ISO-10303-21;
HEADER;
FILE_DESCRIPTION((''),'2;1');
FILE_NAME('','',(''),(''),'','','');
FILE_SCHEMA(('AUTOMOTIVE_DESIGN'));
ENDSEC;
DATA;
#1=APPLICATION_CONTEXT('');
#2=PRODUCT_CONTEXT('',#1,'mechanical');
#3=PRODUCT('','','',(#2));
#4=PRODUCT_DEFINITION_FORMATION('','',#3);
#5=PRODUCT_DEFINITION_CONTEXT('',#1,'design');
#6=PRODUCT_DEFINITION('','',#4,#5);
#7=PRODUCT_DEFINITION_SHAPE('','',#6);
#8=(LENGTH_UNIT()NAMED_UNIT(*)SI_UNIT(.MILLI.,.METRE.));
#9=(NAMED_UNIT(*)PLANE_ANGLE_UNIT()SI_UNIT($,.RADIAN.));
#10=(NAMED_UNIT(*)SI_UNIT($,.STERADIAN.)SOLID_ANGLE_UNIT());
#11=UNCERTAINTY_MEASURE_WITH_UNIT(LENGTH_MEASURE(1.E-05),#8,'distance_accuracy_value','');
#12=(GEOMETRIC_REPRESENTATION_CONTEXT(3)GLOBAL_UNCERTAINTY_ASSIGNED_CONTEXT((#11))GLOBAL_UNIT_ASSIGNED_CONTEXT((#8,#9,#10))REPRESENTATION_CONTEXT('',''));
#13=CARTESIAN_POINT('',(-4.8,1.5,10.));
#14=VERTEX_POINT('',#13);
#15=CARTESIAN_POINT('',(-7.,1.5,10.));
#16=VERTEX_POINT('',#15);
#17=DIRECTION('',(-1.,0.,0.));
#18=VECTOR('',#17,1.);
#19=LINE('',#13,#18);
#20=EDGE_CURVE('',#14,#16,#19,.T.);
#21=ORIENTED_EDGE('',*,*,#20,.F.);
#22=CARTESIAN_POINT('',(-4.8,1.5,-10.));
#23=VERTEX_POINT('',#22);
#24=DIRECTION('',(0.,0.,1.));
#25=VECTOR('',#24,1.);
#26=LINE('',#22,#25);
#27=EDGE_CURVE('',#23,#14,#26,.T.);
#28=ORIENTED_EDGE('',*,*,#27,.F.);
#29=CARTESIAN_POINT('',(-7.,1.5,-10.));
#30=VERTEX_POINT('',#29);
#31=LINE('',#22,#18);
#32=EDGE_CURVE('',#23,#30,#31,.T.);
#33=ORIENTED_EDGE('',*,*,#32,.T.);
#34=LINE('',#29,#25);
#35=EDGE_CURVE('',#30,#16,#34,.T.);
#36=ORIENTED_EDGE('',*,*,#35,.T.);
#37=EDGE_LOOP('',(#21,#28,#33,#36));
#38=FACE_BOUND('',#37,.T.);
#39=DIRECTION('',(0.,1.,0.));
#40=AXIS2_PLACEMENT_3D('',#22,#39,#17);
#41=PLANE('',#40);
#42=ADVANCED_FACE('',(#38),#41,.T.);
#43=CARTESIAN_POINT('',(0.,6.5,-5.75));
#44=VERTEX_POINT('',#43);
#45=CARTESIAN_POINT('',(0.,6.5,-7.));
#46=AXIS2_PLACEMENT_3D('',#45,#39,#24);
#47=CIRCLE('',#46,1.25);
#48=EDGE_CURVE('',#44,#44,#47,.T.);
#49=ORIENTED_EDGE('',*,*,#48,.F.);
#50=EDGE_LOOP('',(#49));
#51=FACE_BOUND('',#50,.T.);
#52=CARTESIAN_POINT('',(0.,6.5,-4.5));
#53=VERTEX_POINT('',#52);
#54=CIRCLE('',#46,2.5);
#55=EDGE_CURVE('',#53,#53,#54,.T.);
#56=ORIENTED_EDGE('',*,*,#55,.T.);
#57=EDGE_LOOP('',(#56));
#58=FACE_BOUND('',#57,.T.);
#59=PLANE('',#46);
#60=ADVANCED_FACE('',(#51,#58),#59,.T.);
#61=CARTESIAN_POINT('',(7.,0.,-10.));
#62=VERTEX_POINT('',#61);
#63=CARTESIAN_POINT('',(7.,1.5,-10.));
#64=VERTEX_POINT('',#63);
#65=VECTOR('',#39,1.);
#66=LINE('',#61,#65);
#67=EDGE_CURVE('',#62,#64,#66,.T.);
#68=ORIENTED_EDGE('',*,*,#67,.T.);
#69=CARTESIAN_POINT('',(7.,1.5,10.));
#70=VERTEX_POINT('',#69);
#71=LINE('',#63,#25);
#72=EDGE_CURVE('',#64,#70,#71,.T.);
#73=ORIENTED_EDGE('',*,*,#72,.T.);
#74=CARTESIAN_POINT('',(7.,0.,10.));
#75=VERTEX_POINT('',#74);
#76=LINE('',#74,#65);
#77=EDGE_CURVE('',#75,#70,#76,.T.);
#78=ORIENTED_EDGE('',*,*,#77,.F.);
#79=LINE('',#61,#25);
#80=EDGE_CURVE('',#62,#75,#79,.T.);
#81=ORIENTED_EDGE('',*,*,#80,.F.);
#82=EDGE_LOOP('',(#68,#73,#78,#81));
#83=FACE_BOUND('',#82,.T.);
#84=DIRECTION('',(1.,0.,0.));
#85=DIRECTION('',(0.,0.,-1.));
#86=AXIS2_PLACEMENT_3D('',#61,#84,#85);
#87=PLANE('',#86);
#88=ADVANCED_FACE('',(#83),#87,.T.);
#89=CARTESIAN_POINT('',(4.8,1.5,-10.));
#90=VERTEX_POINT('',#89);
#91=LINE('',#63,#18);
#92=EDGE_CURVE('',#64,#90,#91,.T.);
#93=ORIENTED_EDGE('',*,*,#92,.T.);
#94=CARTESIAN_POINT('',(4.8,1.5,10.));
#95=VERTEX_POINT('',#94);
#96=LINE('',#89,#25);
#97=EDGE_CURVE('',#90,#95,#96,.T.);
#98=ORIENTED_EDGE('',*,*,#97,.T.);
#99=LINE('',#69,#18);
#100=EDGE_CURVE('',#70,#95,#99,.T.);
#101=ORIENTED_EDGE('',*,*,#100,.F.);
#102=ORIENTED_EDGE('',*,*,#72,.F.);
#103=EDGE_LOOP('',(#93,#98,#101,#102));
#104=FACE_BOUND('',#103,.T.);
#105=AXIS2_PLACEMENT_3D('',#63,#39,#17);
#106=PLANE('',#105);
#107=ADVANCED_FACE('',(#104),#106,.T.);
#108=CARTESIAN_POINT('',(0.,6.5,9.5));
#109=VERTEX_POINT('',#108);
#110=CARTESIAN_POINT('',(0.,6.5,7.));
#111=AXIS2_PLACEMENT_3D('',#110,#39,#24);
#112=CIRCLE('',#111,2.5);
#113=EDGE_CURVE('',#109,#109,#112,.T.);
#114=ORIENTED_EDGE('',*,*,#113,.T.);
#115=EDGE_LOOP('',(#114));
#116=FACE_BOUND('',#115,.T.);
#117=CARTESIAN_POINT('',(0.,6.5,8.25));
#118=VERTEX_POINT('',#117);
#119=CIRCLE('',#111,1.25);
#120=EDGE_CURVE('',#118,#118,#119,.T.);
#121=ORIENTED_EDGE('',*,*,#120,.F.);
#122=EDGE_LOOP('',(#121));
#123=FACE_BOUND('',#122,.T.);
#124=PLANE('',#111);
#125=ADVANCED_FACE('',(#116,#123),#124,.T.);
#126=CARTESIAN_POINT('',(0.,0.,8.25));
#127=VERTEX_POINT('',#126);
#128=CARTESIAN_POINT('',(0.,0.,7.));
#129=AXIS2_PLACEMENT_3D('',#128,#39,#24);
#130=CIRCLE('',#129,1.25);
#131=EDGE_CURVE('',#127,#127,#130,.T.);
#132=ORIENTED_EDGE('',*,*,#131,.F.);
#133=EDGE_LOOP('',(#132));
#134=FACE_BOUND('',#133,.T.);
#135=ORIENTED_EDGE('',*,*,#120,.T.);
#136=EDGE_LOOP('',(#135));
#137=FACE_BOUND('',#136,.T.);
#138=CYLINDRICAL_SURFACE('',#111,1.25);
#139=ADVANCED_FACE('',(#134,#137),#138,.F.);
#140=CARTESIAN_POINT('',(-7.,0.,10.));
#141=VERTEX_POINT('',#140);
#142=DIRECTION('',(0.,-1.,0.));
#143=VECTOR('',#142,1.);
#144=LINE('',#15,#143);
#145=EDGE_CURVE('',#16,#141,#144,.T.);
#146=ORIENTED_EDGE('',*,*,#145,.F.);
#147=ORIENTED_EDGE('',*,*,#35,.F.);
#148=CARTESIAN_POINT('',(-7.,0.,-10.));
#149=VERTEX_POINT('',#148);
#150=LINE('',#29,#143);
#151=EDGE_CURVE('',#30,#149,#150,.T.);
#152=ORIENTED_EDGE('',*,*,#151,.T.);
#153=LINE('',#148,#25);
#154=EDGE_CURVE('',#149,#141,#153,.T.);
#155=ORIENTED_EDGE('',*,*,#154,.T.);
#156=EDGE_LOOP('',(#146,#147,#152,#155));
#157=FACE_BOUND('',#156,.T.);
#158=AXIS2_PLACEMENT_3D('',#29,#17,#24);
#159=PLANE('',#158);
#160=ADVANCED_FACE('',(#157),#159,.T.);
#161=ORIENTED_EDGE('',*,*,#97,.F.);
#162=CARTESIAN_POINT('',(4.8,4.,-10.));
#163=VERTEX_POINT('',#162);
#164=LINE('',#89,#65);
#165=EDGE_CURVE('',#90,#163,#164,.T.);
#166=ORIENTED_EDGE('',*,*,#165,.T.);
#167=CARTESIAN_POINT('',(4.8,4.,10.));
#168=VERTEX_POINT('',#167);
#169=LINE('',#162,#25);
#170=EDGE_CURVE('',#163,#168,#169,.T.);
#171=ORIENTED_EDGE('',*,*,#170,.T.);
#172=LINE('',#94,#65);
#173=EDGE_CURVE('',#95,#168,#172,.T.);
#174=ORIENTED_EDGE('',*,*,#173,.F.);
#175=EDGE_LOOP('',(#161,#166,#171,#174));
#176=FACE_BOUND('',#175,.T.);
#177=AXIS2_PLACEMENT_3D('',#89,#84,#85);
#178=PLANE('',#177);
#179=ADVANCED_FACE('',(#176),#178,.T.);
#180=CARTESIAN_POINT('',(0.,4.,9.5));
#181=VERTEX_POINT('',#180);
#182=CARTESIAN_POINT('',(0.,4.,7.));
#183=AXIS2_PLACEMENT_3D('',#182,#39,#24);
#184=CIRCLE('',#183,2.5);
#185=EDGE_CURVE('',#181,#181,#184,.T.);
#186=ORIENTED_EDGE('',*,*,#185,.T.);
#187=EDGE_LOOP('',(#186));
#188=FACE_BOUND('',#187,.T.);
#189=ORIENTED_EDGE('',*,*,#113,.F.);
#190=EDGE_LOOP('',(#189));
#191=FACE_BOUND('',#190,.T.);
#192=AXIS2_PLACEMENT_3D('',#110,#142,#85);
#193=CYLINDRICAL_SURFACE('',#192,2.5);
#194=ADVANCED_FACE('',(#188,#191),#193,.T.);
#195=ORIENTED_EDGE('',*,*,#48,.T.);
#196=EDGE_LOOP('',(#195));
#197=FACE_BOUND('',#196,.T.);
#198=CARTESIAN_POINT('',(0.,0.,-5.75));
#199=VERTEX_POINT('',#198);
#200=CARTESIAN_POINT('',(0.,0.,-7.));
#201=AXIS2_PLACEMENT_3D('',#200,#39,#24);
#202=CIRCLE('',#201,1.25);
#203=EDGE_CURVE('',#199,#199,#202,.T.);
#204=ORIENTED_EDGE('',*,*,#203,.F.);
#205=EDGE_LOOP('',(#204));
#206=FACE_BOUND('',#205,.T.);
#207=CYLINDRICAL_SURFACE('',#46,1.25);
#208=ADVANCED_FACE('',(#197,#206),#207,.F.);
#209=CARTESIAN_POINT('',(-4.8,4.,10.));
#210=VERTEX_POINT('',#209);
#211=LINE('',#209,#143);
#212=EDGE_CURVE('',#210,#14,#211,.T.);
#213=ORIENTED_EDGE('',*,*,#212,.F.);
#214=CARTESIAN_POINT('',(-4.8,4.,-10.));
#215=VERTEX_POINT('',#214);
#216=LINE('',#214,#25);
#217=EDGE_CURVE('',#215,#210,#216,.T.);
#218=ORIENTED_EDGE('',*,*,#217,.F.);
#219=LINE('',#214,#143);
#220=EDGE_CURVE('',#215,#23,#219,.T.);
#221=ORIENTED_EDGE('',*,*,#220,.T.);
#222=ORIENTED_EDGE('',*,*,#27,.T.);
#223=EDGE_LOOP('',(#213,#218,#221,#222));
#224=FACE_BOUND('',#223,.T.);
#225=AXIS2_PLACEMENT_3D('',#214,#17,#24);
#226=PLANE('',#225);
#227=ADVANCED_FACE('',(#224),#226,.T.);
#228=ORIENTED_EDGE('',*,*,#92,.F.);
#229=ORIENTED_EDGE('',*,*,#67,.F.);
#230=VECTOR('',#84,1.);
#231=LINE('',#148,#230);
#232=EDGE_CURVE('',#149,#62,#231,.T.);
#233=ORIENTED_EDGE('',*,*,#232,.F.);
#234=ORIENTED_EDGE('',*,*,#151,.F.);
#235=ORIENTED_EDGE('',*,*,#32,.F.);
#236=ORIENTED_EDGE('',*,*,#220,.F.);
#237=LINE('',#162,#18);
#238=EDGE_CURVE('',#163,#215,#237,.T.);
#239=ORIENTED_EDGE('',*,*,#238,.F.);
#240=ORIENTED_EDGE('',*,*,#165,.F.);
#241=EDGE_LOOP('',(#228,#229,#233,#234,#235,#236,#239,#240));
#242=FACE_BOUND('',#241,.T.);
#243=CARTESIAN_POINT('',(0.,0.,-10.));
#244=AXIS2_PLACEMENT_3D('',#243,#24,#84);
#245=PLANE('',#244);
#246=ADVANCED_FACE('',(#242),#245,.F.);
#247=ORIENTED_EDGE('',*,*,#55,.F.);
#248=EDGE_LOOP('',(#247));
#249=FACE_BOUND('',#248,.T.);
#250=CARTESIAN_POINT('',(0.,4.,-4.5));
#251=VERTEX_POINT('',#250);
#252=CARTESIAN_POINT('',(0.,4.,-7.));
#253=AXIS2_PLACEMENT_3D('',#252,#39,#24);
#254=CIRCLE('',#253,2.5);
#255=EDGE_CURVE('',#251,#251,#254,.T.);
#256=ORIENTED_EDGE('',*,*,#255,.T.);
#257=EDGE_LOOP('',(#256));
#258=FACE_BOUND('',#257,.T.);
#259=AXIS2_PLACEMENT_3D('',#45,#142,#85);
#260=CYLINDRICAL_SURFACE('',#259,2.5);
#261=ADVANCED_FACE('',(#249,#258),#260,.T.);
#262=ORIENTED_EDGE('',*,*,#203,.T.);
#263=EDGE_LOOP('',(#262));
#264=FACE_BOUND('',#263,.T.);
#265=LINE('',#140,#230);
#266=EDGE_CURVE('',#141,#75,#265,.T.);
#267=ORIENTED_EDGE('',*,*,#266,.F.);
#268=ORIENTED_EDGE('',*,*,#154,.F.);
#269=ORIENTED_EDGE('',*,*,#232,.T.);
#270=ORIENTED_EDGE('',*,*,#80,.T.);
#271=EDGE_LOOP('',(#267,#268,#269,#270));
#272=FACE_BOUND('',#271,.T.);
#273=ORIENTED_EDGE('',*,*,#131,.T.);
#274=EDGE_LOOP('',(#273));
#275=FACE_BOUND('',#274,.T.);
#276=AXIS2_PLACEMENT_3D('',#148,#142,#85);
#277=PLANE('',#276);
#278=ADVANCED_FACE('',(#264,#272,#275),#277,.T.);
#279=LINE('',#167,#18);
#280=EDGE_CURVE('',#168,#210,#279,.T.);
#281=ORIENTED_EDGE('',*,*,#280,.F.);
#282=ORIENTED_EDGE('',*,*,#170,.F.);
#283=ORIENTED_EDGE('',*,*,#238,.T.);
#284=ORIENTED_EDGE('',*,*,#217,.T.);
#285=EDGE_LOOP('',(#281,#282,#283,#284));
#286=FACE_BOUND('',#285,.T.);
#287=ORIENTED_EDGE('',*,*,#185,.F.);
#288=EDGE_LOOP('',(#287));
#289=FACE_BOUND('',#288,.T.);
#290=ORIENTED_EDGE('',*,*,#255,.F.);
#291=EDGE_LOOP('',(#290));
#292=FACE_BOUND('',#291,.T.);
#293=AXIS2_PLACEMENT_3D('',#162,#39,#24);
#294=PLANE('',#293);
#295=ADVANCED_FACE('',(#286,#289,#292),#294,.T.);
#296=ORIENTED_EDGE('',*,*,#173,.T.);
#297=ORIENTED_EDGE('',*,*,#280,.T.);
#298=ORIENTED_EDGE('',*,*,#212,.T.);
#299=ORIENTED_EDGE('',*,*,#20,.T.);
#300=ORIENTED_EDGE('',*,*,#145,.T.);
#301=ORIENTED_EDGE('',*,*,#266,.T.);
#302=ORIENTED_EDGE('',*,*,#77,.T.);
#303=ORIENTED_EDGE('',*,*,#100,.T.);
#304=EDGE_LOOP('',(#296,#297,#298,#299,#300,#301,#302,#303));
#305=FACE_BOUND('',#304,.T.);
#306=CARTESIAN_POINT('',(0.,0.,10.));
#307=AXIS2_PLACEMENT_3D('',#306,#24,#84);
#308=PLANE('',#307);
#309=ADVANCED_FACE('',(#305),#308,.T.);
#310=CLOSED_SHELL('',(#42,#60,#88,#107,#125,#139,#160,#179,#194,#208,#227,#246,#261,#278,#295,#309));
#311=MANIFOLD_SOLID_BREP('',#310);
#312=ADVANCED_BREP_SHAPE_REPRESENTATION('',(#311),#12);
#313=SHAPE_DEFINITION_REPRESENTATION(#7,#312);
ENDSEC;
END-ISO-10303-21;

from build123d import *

# Parameters (mm, degrees)
AUFSATZ_LINEAR_AUSTRAGEN1_DEPTH      = 10
AUFSATZ_LINEAR_AUSTRAGEN1_DEPTH_BACK = 10
SKIZZE2_R                            = 2.5
AUFSATZ_LINEAR_AUSTRAGEN2_DEPTH      = 2.5
M3_GEWINDEBOHRUNG1_D                 = 2.5


with BuildPart() as part:
    # Skizze1 → Aufsatz-Linear austragen1 (new, two sides: drawn at the far end of the back side and taken through both)
    with BuildSketch(Plane.XY.offset(-AUFSATZ_LINEAR_AUSTRAGEN1_DEPTH_BACK)):
        Polygon((-7, 0), (7, 0), (7, 1.5), (4.8, 1.5), (4.8, 4), (-4.8, 4), (-4.8, 1.5), (-7, 1.5), align=None)
    extrude(amount=AUFSATZ_LINEAR_AUSTRAGEN1_DEPTH + AUFSATZ_LINEAR_AUSTRAGEN1_DEPTH_BACK)

    # Skizze2 → Aufsatz-Linear austragen2 (add)
    with BuildSketch(Plane(origin=(0, 4, 0), x_dir=(1, 0, 0), z_dir=(0, 1, 0))):
        with Locations((0, 7)):
            Circle(SKIZZE2_R)
        with Locations((0, -7)):
            Circle(SKIZZE2_R)
    extrude(amount=AUFSATZ_LINEAR_AUSTRAGEN2_DEPTH)

    # M3 Gewindebohrung1 (through all)
    with Locations(Plane(origin=(0, 6.5, 0), x_dir=(1, 0, 0), z_dir=(0, 1, 0))):
        with Locations((0, -7), (0, 7)):
            Hole(M3_GEWINDEBOHRUNG1_D / 2)


solid = part.part
